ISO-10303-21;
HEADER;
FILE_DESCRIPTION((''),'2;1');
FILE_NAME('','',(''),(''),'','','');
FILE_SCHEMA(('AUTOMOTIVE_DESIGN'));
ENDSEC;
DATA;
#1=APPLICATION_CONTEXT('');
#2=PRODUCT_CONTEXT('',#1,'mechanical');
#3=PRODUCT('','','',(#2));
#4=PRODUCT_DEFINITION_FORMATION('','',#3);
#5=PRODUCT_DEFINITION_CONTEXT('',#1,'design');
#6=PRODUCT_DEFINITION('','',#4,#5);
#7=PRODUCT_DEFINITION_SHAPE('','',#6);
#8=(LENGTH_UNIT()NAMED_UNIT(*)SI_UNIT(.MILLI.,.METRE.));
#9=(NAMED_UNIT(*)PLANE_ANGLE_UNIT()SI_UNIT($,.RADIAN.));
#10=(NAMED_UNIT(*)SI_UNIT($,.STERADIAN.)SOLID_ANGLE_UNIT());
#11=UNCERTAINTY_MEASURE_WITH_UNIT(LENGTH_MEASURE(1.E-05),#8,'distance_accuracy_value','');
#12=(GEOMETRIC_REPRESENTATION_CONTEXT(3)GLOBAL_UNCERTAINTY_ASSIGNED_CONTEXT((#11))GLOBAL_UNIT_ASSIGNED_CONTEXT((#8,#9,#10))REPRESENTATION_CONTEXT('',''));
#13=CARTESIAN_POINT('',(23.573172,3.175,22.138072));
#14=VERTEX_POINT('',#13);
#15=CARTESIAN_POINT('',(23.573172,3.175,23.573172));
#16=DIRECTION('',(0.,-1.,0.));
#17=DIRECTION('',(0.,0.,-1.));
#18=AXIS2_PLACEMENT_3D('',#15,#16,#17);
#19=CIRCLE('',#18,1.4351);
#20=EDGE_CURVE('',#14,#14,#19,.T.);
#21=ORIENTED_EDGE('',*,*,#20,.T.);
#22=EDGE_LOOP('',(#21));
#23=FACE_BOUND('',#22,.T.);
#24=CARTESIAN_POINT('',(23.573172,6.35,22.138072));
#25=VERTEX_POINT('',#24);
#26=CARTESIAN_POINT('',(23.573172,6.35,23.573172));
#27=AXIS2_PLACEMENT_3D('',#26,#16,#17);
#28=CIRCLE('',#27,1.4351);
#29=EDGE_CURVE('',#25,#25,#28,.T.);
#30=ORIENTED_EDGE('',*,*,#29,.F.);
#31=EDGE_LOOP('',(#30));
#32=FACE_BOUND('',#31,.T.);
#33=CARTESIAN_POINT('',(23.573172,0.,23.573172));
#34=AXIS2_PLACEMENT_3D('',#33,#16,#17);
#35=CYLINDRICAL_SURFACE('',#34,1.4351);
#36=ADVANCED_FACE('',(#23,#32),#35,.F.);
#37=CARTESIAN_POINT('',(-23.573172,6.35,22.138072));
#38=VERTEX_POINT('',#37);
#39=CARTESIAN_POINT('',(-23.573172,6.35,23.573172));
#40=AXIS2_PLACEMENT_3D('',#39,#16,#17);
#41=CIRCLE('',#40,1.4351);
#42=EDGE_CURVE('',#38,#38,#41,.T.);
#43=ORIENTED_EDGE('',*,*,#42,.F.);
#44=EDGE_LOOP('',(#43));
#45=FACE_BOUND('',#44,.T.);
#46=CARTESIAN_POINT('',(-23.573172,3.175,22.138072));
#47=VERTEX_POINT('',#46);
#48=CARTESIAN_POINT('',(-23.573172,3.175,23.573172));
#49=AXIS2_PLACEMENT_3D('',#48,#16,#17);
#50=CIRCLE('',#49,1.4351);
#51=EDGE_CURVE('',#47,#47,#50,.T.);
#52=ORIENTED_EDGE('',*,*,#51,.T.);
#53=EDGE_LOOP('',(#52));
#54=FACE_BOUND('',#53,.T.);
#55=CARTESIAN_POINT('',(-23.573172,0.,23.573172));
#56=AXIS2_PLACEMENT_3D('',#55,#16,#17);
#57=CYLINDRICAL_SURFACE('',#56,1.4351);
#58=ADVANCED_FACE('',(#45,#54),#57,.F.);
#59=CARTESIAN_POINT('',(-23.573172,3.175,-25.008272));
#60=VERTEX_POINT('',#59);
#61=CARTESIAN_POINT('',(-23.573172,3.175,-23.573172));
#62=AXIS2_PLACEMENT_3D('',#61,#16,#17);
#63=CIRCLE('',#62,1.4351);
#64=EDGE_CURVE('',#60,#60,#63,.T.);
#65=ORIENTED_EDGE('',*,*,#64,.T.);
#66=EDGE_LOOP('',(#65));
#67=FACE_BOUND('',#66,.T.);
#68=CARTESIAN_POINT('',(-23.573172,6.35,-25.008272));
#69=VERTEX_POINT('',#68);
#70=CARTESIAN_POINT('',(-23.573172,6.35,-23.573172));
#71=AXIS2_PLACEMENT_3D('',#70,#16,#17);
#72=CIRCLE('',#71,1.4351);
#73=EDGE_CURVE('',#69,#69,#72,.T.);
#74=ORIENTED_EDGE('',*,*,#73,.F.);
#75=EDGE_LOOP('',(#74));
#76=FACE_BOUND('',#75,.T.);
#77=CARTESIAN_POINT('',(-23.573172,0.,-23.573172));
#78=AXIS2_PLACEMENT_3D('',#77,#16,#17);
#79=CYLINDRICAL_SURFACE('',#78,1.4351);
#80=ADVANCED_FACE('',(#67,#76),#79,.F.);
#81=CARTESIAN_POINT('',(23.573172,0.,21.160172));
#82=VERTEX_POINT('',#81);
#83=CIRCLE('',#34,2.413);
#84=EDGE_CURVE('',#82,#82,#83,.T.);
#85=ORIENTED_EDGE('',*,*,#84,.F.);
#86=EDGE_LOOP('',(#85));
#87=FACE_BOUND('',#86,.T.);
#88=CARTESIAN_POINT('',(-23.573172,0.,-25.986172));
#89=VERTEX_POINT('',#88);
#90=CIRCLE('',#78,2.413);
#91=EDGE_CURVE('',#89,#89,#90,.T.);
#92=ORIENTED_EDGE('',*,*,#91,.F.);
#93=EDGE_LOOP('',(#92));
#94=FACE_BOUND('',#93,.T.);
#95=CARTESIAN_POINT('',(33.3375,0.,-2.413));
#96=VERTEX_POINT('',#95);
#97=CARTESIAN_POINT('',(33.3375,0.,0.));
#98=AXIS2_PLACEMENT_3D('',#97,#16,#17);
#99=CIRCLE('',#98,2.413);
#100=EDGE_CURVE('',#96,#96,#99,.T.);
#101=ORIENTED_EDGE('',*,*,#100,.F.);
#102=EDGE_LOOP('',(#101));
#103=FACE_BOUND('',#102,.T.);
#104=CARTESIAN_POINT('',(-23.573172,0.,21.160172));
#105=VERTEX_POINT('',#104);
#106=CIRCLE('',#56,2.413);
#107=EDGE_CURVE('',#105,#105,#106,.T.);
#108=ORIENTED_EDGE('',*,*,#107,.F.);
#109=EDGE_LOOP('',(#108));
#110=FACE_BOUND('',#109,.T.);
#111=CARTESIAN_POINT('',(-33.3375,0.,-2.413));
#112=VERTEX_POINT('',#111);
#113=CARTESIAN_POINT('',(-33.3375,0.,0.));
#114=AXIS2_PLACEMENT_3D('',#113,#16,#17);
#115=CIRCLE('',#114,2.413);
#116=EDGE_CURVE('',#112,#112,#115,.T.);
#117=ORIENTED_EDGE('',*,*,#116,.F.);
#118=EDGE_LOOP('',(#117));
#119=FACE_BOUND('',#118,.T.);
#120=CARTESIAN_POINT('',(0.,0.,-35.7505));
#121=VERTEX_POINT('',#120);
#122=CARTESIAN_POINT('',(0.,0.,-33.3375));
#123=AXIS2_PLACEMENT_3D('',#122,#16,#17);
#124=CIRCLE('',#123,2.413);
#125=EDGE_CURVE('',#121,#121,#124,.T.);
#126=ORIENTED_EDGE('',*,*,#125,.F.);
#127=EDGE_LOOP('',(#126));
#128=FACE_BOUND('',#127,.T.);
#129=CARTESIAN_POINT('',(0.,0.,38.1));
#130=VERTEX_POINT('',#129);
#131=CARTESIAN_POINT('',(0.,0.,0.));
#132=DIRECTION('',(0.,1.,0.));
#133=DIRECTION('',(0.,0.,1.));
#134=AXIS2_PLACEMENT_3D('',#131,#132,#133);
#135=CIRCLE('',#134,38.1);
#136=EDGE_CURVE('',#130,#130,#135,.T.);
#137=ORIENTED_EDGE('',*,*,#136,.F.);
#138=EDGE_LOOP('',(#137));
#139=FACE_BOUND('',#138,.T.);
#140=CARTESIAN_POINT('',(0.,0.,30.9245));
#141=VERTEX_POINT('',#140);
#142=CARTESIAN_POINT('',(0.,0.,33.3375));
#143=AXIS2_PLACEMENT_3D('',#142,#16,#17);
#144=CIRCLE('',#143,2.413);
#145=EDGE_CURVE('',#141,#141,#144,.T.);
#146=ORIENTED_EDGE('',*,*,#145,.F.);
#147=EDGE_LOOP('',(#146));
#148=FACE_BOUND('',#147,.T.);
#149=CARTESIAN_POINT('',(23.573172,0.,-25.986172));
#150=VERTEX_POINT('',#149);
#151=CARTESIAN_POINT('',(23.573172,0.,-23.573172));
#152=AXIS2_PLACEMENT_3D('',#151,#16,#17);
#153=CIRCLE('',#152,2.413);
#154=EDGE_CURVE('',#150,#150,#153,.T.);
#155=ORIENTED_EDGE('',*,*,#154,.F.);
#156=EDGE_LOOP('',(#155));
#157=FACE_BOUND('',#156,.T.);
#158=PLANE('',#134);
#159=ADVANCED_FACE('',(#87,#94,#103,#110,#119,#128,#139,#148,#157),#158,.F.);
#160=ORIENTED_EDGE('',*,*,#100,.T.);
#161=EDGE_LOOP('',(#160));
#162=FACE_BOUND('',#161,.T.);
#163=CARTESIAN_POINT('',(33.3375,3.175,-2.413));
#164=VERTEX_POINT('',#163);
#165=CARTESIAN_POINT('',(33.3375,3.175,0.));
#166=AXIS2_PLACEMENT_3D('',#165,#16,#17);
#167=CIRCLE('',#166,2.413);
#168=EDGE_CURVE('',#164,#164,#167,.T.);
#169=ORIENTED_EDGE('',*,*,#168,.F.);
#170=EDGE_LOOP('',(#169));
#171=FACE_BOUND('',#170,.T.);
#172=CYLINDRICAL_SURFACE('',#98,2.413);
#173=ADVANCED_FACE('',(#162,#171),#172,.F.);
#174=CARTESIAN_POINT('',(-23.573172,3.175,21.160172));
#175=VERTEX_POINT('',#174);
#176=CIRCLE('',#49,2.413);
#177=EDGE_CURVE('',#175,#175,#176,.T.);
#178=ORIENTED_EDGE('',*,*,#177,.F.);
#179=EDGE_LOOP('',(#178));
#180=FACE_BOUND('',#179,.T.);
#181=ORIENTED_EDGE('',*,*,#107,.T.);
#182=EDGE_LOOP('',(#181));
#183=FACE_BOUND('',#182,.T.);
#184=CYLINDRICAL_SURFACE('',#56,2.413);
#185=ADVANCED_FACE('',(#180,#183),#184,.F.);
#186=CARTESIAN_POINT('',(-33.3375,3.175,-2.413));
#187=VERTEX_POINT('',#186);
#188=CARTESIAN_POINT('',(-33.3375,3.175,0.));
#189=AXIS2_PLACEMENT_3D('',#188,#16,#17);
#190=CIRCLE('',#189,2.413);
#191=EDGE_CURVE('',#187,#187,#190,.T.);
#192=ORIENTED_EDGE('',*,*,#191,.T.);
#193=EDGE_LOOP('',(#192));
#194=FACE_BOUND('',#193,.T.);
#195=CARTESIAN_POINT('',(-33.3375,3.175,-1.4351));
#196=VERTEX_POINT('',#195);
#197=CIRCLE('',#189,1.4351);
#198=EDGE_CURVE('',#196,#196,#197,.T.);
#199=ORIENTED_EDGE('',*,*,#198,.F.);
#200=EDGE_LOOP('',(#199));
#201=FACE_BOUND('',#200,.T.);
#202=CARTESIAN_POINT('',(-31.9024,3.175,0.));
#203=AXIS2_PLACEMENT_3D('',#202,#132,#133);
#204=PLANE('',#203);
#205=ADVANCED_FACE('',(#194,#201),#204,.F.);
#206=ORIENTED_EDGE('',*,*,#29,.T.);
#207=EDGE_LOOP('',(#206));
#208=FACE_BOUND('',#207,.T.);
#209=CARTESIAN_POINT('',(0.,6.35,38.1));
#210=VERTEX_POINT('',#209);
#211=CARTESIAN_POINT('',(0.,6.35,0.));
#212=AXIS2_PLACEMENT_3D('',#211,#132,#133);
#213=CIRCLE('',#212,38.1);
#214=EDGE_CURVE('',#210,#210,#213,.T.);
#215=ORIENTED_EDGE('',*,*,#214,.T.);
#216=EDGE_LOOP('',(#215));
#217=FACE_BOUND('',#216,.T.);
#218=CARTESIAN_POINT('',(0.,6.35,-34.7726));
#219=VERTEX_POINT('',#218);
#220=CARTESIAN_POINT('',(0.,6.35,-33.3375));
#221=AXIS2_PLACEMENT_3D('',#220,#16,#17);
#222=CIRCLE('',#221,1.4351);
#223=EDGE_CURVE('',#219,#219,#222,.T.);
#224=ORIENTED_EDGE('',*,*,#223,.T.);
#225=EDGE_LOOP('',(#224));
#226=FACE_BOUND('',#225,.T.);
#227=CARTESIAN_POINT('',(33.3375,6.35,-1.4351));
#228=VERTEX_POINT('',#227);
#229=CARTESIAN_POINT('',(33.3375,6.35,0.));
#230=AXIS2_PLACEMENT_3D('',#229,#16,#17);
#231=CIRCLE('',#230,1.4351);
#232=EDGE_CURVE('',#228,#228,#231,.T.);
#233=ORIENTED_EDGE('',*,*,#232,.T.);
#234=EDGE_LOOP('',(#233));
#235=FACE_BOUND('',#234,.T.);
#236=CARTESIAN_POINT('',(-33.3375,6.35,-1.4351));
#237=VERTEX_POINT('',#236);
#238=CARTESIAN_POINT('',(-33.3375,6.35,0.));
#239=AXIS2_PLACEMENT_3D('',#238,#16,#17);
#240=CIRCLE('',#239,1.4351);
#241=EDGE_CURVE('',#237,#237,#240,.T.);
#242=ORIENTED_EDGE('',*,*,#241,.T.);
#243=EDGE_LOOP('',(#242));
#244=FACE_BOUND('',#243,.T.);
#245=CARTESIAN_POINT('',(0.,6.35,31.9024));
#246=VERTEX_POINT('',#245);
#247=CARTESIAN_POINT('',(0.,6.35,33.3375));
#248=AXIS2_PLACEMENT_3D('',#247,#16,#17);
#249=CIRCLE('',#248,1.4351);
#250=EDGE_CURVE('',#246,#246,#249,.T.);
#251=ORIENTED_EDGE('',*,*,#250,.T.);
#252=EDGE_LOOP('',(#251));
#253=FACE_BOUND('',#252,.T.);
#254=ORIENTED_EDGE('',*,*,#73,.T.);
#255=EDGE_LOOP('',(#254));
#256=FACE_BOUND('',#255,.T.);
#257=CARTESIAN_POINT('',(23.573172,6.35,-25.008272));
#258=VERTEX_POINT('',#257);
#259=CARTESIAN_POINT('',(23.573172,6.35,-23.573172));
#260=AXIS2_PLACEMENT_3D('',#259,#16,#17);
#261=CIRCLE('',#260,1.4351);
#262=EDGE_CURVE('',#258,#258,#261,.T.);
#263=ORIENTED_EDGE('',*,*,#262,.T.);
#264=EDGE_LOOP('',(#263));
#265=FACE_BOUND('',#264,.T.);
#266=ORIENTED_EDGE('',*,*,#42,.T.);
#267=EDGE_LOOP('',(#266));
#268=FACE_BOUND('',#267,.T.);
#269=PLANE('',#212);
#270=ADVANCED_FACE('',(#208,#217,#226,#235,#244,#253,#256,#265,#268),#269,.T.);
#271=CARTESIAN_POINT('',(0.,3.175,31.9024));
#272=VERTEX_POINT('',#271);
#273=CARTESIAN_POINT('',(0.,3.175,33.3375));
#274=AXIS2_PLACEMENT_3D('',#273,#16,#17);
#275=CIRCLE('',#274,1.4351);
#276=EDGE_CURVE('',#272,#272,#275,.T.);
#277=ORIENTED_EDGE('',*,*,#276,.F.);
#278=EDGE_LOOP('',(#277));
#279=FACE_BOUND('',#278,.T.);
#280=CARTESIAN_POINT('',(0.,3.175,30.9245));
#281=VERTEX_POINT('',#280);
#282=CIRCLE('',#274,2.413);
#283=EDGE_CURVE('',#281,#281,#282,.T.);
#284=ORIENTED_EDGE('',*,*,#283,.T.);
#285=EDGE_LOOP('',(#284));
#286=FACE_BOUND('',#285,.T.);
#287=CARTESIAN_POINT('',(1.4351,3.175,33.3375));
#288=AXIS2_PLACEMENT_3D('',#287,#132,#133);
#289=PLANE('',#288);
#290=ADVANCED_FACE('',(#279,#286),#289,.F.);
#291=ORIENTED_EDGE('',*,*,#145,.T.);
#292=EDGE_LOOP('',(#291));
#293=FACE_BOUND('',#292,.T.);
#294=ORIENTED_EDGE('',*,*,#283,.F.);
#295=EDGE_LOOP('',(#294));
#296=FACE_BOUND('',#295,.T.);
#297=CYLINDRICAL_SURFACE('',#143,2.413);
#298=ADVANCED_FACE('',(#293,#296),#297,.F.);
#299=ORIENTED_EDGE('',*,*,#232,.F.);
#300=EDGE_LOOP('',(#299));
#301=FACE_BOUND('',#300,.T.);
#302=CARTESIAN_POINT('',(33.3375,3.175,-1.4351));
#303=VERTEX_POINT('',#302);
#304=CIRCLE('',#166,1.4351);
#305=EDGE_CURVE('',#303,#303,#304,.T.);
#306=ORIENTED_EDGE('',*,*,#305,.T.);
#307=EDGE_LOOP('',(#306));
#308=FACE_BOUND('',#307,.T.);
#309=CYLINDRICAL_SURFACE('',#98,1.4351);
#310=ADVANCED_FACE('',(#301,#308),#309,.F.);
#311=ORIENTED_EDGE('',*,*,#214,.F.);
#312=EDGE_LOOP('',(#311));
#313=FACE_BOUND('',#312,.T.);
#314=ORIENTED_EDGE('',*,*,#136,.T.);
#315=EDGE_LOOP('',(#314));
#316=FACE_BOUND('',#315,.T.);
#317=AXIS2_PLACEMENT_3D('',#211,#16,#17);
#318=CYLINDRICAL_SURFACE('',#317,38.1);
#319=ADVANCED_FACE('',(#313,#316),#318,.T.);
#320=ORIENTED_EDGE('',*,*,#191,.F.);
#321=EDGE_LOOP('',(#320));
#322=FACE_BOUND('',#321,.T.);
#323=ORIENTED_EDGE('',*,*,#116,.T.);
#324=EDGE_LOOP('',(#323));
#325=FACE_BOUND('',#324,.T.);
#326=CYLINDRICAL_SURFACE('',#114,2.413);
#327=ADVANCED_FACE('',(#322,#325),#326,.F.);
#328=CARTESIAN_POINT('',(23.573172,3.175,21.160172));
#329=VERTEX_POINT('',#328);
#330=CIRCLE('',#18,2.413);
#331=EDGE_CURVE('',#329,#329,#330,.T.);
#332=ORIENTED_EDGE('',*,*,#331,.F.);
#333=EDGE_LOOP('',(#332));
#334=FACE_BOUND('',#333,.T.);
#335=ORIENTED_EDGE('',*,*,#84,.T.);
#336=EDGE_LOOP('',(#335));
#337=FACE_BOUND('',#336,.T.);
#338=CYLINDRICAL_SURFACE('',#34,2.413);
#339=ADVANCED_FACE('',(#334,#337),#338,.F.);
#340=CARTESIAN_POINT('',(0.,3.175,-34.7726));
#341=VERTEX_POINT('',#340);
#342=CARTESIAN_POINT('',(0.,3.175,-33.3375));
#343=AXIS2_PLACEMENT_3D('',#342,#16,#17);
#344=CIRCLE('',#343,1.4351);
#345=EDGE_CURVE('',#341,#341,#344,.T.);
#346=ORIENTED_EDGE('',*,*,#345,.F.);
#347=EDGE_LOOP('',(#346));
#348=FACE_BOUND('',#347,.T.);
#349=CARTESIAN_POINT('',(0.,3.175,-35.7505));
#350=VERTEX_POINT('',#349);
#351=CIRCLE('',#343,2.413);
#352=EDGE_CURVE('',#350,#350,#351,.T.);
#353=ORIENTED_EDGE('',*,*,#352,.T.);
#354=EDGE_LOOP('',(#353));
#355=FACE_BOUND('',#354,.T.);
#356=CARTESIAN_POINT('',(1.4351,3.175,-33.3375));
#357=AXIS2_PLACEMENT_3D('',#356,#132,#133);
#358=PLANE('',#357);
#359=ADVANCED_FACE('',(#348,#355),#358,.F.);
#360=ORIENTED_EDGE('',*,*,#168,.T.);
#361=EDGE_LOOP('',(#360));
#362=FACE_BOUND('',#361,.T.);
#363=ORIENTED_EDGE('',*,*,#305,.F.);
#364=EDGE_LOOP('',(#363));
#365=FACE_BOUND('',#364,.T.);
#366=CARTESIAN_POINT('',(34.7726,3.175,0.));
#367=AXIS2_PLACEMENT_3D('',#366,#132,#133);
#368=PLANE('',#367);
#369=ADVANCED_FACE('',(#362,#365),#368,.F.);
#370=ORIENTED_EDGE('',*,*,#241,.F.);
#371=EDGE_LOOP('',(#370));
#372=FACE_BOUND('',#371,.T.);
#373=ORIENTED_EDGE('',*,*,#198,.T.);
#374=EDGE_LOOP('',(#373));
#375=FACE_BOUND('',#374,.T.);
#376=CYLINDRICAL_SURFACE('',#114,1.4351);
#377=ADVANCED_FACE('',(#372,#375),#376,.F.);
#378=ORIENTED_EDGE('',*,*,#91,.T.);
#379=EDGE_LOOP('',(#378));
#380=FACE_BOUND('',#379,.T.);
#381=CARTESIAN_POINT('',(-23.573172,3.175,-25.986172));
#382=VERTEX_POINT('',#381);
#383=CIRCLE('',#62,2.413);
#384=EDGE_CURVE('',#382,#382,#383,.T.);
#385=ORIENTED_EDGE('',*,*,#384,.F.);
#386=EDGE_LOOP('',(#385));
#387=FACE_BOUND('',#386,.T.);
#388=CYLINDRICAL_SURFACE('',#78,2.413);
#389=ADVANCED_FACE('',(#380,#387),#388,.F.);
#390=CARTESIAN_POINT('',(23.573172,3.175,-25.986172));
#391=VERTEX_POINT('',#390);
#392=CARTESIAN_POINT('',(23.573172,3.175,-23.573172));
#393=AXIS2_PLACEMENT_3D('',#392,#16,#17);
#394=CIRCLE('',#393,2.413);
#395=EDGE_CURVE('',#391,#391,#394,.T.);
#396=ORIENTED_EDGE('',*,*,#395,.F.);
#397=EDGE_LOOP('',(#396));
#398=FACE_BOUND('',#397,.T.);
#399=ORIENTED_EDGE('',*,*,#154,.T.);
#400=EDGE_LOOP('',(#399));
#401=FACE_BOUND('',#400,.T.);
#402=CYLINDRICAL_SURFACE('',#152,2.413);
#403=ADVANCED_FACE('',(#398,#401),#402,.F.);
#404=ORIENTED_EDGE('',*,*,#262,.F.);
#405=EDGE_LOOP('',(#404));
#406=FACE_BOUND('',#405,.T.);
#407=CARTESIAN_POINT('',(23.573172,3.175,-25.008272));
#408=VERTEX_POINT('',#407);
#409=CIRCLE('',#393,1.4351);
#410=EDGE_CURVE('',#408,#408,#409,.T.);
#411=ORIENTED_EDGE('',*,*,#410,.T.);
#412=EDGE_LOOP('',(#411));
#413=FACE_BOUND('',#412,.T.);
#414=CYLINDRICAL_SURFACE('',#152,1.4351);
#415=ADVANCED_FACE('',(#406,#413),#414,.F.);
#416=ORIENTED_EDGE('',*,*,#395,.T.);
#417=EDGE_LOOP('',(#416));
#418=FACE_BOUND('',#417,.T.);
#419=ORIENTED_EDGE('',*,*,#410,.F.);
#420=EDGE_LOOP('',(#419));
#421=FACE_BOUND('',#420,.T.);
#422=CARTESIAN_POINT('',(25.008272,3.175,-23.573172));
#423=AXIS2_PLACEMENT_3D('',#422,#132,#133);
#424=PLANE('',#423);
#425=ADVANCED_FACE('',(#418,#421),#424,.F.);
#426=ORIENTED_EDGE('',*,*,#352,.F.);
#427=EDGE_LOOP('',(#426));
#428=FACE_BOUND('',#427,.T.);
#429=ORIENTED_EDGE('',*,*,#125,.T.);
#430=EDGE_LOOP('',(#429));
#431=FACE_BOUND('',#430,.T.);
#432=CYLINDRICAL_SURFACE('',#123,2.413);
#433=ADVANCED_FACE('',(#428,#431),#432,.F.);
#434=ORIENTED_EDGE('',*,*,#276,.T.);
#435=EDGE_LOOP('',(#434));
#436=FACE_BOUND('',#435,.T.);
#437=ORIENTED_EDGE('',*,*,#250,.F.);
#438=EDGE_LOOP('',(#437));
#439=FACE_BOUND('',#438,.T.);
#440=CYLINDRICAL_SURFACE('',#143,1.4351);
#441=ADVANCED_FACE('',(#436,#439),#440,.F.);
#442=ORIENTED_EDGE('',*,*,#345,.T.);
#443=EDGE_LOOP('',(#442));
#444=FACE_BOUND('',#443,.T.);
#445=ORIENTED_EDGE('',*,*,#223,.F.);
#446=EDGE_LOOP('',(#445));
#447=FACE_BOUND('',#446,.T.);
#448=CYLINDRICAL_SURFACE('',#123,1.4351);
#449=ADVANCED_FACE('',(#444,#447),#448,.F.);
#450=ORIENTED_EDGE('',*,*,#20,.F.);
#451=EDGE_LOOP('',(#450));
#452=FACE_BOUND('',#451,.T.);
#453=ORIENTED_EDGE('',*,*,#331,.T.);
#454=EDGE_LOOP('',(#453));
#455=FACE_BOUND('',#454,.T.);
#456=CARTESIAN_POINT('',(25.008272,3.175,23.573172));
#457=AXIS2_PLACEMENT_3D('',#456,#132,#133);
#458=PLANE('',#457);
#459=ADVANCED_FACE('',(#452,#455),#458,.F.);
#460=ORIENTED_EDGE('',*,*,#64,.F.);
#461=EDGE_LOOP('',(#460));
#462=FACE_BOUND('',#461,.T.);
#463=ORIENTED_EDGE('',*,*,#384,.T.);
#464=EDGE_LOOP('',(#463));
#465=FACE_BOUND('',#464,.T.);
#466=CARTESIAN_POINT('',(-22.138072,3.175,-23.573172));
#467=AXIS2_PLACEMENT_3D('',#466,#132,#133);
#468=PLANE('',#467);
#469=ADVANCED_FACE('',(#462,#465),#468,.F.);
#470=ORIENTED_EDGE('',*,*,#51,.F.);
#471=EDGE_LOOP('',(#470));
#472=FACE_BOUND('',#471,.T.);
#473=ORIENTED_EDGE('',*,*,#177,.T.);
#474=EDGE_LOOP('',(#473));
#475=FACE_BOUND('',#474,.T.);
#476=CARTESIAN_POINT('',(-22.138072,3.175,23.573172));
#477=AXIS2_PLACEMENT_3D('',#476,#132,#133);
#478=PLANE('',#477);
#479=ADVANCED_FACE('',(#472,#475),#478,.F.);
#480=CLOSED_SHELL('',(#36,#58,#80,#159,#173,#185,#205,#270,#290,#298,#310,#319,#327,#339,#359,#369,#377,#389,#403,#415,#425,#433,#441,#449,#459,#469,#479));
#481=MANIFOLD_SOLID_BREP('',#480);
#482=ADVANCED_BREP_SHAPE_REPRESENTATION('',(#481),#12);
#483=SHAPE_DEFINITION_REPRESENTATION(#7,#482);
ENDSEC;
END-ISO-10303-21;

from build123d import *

# Parameters (mm, degrees)
SKETCH1_R                                      = 38.1
BOSS_EXTRUDE1_DEPTH                            = 6.35
CBORE_FOR_4_BUTTON_HEAD_CAP_SCREW1_D           = 2.8702
CBORE_FOR_4_BUTTON_HEAD_CAP_SCREW1_CBORE_D     = 4.826
CBORE_FOR_4_BUTTON_HEAD_CAP_SCREW1_CBORE_DEPTH = 3.175
CIRPATTERN1_COUNT                              = 8


with BuildPart() as part:
    # Sketch1 → Boss-Extrude1 (new body)
    with BuildSketch(Plane(origin=(0, 0, 0), x_dir=(1, 0, 0), z_dir=(0, 1, 0))):
        Circle(SKETCH1_R)
    extrude(amount=BOSS_EXTRUDE1_DEPTH)

    # CBORE for #4 Button Head Cap Screw1 (through all)
    with Locations(Plane(origin=(0, 0, 0), x_dir=(-1, 0, 0), z_dir=(0, -1, 0))):
        with Locations((0, -33.3375)):
            cbore_for_4_button_head_cap_screw1 = CounterBoreHole(CBORE_FOR_4_BUTTON_HEAD_CAP_SCREW1_D / 2, CBORE_FOR_4_BUTTON_HEAD_CAP_SCREW1_CBORE_D / 2, CBORE_FOR_4_BUTTON_HEAD_CAP_SCREW1_CBORE_DEPTH)

    # CirPattern1: CBORE for #4 Button Head Cap Screw1 ×8 about axis
    cirpattern1_axis = Axis((0, 0, 0), (0, 1, 0))
    for i in range(1, CIRPATTERN1_COUNT):
        add(cbore_for_4_button_head_cap_screw1.rotate(cirpattern1_axis, i * 360 / CIRPATTERN1_COUNT), mode=Mode.SUBTRACT)


solid = part.part
